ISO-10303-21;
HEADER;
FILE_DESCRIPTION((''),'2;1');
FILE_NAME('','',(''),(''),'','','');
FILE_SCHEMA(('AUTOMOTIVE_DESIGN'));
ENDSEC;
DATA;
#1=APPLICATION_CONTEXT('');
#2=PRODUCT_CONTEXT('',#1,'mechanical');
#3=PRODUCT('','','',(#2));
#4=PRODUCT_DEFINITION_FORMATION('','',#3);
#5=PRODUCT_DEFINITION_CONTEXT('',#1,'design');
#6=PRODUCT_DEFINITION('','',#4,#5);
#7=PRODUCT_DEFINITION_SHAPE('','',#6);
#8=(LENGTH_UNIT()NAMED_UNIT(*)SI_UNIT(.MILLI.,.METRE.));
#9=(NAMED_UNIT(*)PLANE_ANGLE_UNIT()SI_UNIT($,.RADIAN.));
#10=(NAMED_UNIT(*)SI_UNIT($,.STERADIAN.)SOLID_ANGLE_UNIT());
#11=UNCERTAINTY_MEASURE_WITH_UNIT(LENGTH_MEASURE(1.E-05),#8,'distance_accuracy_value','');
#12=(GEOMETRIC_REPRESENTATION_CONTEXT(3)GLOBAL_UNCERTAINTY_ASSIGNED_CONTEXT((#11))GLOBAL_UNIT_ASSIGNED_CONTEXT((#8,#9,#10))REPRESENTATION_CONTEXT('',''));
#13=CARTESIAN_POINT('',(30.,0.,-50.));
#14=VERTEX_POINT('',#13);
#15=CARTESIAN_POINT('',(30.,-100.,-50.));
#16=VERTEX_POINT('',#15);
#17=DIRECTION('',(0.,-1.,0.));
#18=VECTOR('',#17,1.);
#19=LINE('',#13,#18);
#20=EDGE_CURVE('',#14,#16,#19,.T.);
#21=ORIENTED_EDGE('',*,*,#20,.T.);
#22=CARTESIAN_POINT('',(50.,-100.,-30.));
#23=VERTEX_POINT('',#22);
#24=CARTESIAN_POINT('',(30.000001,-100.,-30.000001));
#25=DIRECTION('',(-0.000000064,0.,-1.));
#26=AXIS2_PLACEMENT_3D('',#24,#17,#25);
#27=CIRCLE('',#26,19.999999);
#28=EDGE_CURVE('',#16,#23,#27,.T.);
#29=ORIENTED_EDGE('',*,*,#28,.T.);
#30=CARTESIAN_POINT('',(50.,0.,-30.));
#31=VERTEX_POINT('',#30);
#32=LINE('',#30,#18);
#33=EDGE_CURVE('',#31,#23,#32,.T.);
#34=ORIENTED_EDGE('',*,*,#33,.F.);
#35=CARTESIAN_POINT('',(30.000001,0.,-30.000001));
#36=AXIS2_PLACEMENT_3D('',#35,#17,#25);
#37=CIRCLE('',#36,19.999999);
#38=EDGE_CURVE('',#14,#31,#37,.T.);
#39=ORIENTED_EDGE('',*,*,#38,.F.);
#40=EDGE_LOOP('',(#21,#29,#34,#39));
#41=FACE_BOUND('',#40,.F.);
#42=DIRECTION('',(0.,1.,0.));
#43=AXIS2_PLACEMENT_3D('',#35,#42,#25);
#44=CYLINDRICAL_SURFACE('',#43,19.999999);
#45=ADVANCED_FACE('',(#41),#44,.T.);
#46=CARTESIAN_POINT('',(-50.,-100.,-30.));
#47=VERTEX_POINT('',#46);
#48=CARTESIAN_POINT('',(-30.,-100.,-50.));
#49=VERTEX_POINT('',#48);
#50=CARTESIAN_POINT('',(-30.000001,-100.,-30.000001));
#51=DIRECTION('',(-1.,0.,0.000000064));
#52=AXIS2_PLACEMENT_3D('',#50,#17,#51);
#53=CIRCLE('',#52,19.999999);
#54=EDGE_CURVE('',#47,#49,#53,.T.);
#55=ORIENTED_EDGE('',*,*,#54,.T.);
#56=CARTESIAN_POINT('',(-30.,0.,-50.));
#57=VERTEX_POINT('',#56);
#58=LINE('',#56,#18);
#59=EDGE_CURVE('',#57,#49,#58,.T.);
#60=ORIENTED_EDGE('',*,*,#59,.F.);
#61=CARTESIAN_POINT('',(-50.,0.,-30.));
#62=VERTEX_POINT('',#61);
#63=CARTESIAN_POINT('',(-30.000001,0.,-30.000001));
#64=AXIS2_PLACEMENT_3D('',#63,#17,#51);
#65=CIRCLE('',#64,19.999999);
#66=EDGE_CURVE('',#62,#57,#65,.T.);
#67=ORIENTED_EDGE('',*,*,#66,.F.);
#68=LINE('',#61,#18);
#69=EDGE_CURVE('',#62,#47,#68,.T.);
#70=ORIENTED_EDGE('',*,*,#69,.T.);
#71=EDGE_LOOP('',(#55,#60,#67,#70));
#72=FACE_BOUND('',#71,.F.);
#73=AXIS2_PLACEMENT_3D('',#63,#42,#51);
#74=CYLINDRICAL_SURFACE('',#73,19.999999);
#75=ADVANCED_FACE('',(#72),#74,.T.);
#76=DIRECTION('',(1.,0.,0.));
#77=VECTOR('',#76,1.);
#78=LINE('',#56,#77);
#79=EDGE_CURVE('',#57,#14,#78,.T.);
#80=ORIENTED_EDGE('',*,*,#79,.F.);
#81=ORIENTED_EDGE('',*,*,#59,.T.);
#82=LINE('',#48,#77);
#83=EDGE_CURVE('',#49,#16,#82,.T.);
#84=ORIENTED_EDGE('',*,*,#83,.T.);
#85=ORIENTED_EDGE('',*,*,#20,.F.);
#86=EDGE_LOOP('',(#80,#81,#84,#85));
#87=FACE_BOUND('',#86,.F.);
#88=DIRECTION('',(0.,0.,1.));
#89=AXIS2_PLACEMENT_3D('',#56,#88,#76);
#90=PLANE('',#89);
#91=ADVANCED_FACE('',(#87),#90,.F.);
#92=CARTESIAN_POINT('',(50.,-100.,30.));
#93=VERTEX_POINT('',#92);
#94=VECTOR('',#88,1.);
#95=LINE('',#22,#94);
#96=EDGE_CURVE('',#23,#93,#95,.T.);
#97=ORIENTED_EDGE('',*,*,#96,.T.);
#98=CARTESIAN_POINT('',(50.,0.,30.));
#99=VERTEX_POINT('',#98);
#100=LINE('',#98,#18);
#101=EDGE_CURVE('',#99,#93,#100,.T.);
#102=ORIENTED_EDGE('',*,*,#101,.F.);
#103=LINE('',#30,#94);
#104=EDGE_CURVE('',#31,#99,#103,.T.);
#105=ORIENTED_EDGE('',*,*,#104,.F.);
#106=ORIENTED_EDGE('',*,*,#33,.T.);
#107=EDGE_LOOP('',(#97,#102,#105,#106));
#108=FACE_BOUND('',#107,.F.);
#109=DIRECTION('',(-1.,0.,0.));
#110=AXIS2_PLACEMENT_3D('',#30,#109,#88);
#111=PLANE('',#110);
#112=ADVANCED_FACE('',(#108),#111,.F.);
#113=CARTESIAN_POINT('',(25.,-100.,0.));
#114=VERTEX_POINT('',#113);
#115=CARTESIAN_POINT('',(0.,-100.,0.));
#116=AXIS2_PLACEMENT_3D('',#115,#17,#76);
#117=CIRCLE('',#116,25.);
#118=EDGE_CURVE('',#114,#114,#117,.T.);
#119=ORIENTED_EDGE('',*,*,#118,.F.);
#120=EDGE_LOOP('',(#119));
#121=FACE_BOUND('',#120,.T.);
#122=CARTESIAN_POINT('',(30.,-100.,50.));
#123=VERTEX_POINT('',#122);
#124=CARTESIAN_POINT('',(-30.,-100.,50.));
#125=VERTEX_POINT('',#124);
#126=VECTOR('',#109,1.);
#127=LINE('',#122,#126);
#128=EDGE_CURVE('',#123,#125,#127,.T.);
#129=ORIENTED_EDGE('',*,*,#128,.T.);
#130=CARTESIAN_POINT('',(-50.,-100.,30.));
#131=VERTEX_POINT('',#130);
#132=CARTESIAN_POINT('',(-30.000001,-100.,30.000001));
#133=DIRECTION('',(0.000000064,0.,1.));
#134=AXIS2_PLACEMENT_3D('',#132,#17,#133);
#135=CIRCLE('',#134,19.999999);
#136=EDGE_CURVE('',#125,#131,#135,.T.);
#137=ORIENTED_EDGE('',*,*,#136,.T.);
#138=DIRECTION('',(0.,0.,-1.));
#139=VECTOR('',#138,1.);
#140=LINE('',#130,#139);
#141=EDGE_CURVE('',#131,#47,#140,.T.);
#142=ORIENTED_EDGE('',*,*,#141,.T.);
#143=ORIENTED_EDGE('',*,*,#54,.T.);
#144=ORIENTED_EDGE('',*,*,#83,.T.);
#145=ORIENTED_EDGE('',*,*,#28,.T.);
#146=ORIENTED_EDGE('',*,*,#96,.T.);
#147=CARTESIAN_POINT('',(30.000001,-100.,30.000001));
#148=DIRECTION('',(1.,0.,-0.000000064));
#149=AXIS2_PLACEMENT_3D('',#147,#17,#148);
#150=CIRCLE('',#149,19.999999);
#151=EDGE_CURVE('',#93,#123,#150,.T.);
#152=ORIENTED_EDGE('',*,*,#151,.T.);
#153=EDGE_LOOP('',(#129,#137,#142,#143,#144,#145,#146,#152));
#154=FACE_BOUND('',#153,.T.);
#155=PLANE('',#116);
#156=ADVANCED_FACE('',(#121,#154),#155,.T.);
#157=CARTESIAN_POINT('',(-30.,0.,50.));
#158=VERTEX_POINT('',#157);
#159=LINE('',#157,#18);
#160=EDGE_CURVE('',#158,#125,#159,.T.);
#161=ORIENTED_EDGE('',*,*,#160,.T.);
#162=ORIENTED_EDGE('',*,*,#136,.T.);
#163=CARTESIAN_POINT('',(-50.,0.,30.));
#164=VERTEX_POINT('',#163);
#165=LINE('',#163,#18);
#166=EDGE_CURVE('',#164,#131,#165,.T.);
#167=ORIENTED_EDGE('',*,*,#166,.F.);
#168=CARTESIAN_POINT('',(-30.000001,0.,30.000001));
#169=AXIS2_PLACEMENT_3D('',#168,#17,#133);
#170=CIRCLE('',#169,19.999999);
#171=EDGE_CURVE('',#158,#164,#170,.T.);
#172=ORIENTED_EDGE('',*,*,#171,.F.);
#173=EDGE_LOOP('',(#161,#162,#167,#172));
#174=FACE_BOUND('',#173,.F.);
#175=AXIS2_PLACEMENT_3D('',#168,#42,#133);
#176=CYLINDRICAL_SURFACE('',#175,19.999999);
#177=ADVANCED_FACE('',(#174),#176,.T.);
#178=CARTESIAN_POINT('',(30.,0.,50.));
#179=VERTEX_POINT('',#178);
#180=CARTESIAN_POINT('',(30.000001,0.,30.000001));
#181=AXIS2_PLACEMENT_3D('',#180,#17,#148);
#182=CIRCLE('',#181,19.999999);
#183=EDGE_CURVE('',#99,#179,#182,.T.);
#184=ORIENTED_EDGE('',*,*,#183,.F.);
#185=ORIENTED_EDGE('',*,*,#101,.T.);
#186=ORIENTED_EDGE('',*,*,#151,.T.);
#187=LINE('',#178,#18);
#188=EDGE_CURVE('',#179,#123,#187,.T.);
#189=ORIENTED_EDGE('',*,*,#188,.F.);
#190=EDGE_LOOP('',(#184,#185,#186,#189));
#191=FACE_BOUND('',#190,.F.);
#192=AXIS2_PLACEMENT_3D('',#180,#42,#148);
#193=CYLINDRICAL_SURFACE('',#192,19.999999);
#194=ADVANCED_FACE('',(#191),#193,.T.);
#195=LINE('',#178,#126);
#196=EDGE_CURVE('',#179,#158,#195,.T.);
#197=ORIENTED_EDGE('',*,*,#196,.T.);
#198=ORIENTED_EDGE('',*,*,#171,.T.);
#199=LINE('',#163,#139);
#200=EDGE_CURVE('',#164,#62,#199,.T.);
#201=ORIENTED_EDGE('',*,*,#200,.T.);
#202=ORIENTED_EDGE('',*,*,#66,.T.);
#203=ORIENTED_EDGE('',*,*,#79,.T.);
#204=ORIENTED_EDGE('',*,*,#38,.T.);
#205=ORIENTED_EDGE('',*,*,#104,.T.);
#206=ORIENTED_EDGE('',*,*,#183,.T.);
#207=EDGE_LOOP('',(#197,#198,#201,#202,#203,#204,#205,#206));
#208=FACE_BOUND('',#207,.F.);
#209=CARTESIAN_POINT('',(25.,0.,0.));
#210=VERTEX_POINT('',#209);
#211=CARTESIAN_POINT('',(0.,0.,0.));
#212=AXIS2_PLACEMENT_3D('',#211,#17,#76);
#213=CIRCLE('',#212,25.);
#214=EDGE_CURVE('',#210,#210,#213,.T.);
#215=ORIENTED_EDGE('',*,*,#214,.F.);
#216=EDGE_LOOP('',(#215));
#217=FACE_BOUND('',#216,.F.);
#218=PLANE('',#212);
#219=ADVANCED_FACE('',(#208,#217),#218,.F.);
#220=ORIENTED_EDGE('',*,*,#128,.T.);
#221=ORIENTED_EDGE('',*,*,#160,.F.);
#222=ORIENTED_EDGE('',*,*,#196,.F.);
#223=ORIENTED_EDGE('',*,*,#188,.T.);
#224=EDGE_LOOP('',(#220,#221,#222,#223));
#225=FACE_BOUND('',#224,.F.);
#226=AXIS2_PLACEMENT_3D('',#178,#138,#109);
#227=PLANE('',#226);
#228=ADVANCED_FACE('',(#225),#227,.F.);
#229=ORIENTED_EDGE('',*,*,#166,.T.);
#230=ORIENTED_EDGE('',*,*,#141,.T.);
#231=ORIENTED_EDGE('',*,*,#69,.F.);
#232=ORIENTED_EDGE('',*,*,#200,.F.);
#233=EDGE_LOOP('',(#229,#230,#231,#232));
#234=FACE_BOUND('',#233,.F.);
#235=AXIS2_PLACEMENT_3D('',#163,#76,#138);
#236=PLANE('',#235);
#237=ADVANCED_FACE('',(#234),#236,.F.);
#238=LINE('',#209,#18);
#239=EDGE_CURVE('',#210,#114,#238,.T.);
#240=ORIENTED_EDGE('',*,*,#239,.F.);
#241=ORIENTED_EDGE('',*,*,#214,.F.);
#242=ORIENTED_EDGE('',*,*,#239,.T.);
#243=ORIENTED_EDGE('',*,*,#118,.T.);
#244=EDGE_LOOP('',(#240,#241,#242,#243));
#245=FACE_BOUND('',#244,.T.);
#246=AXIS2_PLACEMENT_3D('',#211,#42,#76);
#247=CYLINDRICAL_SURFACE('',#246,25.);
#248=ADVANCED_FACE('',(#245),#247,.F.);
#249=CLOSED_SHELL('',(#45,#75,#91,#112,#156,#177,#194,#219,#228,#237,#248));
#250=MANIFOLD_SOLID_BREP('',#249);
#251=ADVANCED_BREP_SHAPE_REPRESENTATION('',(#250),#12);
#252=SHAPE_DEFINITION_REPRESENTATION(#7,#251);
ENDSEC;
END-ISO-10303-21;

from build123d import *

# Parameters (mm, degrees)
F0_R     = 25
F1_DEPTH = 100


with BuildPart() as f1:
    # F0 (on Front) → F1 (new body)
    with BuildSketch(Plane.XZ):
        with BuildLine():
            ThreePointArc((-50, -30), (-44.142136, -44.142136), (-30, -50))
            Line((-30, -50), (30, -50))
            ThreePointArc((30, -50), (44.142136, -44.142136), (50, -30))
            Line((50, -30), (50, 30))
            ThreePointArc((50, 30), (44.142136, 44.142136), (30, 50))
            Line((30, 50), (-30, 50))
            ThreePointArc((-30, 50), (-44.142136, 44.142136), (-50, 30))
            Line((-50, 30), (-50, -30))
        make_face()
        Circle(F0_R, mode=Mode.SUBTRACT)
    extrude(amount=F1_DEPTH)


solid = f1.part
